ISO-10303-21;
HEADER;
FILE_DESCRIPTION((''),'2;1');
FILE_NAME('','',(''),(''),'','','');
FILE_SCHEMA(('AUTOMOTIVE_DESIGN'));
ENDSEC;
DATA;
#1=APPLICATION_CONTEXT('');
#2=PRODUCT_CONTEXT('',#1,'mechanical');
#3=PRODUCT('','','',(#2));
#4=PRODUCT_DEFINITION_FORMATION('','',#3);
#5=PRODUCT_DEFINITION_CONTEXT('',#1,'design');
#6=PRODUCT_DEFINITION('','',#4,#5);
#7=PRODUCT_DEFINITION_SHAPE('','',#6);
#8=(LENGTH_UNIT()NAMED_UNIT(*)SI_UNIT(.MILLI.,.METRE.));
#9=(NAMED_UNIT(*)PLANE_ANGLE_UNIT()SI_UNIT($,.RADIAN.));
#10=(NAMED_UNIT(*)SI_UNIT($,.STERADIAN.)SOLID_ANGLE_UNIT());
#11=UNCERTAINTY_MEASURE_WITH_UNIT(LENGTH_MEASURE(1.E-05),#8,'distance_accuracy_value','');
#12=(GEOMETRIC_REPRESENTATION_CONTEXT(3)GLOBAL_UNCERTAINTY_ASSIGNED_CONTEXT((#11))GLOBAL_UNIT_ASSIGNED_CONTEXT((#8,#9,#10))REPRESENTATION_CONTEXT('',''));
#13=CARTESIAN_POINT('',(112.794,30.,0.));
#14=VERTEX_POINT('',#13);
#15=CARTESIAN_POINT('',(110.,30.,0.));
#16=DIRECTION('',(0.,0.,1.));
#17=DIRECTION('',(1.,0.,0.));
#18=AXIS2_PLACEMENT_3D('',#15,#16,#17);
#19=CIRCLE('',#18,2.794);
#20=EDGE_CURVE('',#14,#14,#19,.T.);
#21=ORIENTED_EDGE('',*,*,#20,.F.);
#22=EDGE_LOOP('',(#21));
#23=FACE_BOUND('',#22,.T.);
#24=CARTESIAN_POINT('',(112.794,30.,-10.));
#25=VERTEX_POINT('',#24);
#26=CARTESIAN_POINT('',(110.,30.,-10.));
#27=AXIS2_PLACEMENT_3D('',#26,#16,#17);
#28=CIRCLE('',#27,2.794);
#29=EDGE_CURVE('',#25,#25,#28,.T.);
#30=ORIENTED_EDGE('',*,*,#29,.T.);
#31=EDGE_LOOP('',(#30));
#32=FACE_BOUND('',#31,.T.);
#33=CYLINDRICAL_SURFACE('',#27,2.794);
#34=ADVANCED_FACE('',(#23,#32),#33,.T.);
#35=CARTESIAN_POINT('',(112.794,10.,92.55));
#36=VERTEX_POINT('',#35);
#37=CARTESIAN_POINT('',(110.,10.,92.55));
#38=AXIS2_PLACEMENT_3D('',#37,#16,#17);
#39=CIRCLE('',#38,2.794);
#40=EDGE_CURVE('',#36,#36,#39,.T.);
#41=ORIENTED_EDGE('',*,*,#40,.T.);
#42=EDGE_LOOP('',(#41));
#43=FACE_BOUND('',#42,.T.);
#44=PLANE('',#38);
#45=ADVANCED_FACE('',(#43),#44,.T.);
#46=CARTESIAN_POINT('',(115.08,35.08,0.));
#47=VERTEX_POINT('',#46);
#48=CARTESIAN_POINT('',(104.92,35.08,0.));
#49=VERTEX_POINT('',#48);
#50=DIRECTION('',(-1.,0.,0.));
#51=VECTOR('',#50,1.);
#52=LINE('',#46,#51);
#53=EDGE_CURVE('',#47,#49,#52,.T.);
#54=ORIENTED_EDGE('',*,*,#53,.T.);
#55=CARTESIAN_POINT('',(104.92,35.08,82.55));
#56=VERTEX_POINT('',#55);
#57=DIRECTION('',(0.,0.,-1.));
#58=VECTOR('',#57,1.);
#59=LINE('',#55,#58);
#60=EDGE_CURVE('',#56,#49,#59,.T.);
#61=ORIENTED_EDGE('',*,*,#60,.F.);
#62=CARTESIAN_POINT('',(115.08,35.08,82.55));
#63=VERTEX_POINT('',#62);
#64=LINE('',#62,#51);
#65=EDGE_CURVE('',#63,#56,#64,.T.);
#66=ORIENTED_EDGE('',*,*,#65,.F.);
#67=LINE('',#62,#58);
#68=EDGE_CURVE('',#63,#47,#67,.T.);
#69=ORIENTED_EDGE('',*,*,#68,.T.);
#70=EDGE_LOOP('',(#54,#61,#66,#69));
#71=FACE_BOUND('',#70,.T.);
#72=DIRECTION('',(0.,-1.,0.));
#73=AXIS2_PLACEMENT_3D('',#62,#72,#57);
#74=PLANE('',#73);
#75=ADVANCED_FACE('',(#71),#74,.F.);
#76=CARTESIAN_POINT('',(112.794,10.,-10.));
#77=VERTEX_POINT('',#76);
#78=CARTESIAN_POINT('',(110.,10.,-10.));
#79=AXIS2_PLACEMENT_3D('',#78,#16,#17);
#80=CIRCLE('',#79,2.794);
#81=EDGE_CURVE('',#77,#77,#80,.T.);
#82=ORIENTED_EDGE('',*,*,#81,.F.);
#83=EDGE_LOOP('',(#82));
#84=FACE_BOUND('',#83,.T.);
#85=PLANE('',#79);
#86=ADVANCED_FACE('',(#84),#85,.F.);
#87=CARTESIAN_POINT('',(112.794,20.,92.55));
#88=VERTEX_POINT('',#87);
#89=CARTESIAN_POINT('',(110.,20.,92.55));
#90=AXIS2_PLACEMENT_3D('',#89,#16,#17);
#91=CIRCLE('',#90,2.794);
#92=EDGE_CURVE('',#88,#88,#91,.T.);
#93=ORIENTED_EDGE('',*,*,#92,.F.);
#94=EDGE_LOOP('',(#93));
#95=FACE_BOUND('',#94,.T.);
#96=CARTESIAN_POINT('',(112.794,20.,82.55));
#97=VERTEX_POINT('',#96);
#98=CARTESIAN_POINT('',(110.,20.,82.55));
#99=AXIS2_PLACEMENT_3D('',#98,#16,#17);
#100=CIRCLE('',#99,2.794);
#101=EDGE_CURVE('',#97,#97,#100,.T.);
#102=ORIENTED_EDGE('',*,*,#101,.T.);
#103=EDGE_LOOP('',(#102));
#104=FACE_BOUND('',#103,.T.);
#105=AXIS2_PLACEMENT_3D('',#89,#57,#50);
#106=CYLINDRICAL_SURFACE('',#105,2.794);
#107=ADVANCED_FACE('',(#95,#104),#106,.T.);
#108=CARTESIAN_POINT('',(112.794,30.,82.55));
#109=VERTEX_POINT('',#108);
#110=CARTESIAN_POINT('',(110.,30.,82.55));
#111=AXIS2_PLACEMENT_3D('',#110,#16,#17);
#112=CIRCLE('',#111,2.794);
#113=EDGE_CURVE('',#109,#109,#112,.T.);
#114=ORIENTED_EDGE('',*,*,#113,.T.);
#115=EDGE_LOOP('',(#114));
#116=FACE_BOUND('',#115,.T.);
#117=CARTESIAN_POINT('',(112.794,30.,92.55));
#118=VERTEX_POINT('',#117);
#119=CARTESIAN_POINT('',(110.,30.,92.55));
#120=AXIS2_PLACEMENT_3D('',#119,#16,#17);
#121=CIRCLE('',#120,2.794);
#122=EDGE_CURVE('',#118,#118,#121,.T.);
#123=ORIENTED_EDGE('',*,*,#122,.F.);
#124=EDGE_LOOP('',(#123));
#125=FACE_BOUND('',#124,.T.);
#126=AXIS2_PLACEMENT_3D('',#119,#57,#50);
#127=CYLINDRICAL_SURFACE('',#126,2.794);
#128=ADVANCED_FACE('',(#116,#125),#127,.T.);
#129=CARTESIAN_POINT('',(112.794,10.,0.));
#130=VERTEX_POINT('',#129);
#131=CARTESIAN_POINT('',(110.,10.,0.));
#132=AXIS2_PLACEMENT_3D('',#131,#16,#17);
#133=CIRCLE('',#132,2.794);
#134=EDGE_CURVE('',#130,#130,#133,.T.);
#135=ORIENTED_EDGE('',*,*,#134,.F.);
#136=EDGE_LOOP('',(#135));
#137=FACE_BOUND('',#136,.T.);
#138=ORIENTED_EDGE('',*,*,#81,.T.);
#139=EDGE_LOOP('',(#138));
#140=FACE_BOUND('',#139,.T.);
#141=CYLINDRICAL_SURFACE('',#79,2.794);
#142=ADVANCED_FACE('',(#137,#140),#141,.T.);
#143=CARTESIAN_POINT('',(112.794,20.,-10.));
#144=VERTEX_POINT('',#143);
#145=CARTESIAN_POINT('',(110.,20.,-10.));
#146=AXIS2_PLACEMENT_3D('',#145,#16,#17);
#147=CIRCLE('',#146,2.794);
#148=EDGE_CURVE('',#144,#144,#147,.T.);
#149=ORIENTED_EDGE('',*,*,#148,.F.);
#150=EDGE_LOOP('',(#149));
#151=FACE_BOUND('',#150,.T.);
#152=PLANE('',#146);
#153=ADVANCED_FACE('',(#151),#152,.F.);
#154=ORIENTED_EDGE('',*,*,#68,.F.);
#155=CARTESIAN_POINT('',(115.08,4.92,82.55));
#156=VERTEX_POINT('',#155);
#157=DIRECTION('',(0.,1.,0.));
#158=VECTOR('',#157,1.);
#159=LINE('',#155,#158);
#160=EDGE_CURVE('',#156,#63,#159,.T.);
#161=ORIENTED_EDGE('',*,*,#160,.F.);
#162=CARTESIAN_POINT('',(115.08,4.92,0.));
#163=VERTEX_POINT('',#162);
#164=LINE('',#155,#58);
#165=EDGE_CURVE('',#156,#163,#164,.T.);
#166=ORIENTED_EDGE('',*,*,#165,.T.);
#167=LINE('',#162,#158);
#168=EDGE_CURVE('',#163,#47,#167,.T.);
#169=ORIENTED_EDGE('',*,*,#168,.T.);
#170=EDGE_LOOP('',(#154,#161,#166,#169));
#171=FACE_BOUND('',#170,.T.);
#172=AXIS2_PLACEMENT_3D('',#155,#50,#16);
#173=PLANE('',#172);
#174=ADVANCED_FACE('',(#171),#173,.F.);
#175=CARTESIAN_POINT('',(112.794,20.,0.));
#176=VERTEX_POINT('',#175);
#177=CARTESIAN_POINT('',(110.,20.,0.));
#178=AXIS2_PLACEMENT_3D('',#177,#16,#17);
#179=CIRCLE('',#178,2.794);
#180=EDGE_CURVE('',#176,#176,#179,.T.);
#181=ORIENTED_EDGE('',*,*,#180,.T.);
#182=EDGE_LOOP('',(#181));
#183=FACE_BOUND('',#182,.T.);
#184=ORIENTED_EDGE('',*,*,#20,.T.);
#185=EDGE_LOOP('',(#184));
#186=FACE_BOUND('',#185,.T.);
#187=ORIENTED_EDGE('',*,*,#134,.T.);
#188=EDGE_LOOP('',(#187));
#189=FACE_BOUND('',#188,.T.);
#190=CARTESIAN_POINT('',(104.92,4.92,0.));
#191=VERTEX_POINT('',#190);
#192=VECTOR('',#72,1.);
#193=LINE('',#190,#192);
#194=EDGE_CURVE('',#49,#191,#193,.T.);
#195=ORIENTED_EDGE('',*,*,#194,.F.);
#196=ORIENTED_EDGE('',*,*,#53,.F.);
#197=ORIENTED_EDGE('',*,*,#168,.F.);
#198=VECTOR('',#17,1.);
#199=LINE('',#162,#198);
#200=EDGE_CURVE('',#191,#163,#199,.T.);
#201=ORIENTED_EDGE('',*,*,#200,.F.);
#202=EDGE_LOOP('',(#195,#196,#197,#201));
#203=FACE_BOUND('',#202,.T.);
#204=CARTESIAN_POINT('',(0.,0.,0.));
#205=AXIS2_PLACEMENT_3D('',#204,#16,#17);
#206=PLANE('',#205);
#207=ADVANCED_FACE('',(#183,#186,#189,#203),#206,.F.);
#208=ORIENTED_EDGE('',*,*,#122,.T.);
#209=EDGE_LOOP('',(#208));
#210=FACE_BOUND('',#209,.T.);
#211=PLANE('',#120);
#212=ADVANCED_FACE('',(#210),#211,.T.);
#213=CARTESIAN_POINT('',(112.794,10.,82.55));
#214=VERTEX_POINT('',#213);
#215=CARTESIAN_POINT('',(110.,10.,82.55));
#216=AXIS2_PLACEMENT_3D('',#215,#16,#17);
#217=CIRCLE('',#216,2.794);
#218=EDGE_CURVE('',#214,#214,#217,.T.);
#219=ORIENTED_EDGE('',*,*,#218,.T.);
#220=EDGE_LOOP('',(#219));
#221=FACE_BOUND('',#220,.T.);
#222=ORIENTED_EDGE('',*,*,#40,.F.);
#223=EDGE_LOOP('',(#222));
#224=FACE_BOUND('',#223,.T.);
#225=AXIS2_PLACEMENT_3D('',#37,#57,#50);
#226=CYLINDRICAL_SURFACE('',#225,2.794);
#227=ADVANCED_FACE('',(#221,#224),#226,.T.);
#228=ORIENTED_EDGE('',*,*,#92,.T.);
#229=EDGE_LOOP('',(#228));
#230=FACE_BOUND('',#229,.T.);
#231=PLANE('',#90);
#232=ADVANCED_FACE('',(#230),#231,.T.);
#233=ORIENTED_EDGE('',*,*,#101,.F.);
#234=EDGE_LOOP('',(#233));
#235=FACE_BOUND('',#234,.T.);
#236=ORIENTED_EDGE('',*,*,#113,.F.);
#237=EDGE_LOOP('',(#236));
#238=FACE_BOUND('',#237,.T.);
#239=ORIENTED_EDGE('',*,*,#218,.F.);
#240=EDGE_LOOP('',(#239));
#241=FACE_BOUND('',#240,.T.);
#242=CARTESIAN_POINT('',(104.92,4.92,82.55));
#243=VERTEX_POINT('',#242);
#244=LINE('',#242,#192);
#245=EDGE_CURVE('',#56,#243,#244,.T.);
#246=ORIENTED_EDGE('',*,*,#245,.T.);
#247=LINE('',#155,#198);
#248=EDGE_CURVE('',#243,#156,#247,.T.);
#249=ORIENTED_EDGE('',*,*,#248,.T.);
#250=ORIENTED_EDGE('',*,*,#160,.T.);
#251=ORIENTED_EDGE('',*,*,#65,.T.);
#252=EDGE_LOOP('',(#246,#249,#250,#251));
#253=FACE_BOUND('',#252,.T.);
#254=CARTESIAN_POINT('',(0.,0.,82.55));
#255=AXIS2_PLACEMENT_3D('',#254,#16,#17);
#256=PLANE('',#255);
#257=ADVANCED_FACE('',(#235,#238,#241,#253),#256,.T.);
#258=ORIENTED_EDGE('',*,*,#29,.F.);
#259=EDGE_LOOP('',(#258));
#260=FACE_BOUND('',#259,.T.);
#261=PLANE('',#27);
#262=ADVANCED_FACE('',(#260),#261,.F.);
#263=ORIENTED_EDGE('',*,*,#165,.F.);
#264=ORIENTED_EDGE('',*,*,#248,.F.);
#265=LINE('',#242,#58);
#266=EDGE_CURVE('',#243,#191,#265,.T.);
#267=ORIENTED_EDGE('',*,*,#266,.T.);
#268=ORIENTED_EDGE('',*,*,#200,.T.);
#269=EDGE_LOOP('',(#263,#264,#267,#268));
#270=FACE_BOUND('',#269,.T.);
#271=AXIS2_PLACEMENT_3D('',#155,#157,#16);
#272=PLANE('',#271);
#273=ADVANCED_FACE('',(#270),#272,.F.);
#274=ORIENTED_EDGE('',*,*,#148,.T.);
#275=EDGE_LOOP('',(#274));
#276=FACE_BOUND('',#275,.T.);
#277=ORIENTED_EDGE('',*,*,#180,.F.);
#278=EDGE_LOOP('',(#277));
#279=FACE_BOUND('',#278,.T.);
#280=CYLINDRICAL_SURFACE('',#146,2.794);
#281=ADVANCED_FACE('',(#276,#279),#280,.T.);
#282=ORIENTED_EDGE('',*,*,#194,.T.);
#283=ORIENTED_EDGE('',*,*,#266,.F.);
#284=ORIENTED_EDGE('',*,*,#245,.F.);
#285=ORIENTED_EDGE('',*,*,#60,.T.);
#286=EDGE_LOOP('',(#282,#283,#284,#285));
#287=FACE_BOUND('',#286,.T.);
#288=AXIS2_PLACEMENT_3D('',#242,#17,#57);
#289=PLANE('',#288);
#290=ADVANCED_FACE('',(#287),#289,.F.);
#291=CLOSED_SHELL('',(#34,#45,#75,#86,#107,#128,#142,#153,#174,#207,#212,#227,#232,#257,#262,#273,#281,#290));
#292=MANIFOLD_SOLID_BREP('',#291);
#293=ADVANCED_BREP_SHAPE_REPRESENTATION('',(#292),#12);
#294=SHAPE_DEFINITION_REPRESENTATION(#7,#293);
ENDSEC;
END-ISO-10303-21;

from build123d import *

# Parameters (mm, degrees)
SKETCH1_R             = 2.794
BOSS_EXTRUDE1_DEPTH   = 10
BOSS_EXTRUDE1_2_DEPTH = 10
BOSS_EXTRUDE1_3_DEPTH = 10
SKETCH2_W             = 10.16
SKETCH2_H             = 30.16
BOSS_EXTRUDE2_DEPTH   = 82.55
BOSS_EXTRUDE3_START   = 10
SKETCH3_R             = 2.794
BOSS_EXTRUDE3_DEPTH   = 10


with BuildPart() as part:
    # Sketch1 → Boss-Extrude1 (new body)
    with BuildSketch(Plane.XY):
        with Locations((110, 20)):
            Circle(SKETCH1_R)
    extrude(amount=-BOSS_EXTRUDE1_DEPTH)



with BuildPart() as body_2:
    # Sketch1 → Boss-Extrude1 2 (new body)
    with BuildSketch(Plane.XY):
        with Locations((110, 10)):
            Circle(SKETCH1_R)
    extrude(amount=-BOSS_EXTRUDE1_2_DEPTH)


with BuildPart() as body_3:
    # Sketch1 → Boss-Extrude1 3 (new body)
    with BuildSketch(Plane.XY):
        with Locations((110, 30)):
            Circle(SKETCH1_R)
    extrude(amount=-BOSS_EXTRUDE1_3_DEPTH)


with BuildPart() as part_1:
    add(part.part)

    add(body_2.part)  # Boss-Extrude2 merges body 2

    add(body_3.part)  # Boss-Extrude2 merges body 3
    # Sketch2 → Boss-Extrude2 (add)
    with BuildSketch(Plane.XY):
        with Locations((110, 20)):
            Rectangle(SKETCH2_W, SKETCH2_H)
    extrude(amount=BOSS_EXTRUDE2_DEPTH)

    # Sketch3 → Boss-Extrude3 (add)
    with BuildSketch(Plane.XY.offset(82.55).offset(BOSS_EXTRUDE3_START)):
        with Locations((110, 10)):
            Circle(SKETCH3_R)
        with Locations((110, 20)):
            Circle(SKETCH3_R)
        with Locations((110, 30)):
            Circle(SKETCH3_R)
    extrude(amount=-BOSS_EXTRUDE3_DEPTH)


solid = part_1.part
